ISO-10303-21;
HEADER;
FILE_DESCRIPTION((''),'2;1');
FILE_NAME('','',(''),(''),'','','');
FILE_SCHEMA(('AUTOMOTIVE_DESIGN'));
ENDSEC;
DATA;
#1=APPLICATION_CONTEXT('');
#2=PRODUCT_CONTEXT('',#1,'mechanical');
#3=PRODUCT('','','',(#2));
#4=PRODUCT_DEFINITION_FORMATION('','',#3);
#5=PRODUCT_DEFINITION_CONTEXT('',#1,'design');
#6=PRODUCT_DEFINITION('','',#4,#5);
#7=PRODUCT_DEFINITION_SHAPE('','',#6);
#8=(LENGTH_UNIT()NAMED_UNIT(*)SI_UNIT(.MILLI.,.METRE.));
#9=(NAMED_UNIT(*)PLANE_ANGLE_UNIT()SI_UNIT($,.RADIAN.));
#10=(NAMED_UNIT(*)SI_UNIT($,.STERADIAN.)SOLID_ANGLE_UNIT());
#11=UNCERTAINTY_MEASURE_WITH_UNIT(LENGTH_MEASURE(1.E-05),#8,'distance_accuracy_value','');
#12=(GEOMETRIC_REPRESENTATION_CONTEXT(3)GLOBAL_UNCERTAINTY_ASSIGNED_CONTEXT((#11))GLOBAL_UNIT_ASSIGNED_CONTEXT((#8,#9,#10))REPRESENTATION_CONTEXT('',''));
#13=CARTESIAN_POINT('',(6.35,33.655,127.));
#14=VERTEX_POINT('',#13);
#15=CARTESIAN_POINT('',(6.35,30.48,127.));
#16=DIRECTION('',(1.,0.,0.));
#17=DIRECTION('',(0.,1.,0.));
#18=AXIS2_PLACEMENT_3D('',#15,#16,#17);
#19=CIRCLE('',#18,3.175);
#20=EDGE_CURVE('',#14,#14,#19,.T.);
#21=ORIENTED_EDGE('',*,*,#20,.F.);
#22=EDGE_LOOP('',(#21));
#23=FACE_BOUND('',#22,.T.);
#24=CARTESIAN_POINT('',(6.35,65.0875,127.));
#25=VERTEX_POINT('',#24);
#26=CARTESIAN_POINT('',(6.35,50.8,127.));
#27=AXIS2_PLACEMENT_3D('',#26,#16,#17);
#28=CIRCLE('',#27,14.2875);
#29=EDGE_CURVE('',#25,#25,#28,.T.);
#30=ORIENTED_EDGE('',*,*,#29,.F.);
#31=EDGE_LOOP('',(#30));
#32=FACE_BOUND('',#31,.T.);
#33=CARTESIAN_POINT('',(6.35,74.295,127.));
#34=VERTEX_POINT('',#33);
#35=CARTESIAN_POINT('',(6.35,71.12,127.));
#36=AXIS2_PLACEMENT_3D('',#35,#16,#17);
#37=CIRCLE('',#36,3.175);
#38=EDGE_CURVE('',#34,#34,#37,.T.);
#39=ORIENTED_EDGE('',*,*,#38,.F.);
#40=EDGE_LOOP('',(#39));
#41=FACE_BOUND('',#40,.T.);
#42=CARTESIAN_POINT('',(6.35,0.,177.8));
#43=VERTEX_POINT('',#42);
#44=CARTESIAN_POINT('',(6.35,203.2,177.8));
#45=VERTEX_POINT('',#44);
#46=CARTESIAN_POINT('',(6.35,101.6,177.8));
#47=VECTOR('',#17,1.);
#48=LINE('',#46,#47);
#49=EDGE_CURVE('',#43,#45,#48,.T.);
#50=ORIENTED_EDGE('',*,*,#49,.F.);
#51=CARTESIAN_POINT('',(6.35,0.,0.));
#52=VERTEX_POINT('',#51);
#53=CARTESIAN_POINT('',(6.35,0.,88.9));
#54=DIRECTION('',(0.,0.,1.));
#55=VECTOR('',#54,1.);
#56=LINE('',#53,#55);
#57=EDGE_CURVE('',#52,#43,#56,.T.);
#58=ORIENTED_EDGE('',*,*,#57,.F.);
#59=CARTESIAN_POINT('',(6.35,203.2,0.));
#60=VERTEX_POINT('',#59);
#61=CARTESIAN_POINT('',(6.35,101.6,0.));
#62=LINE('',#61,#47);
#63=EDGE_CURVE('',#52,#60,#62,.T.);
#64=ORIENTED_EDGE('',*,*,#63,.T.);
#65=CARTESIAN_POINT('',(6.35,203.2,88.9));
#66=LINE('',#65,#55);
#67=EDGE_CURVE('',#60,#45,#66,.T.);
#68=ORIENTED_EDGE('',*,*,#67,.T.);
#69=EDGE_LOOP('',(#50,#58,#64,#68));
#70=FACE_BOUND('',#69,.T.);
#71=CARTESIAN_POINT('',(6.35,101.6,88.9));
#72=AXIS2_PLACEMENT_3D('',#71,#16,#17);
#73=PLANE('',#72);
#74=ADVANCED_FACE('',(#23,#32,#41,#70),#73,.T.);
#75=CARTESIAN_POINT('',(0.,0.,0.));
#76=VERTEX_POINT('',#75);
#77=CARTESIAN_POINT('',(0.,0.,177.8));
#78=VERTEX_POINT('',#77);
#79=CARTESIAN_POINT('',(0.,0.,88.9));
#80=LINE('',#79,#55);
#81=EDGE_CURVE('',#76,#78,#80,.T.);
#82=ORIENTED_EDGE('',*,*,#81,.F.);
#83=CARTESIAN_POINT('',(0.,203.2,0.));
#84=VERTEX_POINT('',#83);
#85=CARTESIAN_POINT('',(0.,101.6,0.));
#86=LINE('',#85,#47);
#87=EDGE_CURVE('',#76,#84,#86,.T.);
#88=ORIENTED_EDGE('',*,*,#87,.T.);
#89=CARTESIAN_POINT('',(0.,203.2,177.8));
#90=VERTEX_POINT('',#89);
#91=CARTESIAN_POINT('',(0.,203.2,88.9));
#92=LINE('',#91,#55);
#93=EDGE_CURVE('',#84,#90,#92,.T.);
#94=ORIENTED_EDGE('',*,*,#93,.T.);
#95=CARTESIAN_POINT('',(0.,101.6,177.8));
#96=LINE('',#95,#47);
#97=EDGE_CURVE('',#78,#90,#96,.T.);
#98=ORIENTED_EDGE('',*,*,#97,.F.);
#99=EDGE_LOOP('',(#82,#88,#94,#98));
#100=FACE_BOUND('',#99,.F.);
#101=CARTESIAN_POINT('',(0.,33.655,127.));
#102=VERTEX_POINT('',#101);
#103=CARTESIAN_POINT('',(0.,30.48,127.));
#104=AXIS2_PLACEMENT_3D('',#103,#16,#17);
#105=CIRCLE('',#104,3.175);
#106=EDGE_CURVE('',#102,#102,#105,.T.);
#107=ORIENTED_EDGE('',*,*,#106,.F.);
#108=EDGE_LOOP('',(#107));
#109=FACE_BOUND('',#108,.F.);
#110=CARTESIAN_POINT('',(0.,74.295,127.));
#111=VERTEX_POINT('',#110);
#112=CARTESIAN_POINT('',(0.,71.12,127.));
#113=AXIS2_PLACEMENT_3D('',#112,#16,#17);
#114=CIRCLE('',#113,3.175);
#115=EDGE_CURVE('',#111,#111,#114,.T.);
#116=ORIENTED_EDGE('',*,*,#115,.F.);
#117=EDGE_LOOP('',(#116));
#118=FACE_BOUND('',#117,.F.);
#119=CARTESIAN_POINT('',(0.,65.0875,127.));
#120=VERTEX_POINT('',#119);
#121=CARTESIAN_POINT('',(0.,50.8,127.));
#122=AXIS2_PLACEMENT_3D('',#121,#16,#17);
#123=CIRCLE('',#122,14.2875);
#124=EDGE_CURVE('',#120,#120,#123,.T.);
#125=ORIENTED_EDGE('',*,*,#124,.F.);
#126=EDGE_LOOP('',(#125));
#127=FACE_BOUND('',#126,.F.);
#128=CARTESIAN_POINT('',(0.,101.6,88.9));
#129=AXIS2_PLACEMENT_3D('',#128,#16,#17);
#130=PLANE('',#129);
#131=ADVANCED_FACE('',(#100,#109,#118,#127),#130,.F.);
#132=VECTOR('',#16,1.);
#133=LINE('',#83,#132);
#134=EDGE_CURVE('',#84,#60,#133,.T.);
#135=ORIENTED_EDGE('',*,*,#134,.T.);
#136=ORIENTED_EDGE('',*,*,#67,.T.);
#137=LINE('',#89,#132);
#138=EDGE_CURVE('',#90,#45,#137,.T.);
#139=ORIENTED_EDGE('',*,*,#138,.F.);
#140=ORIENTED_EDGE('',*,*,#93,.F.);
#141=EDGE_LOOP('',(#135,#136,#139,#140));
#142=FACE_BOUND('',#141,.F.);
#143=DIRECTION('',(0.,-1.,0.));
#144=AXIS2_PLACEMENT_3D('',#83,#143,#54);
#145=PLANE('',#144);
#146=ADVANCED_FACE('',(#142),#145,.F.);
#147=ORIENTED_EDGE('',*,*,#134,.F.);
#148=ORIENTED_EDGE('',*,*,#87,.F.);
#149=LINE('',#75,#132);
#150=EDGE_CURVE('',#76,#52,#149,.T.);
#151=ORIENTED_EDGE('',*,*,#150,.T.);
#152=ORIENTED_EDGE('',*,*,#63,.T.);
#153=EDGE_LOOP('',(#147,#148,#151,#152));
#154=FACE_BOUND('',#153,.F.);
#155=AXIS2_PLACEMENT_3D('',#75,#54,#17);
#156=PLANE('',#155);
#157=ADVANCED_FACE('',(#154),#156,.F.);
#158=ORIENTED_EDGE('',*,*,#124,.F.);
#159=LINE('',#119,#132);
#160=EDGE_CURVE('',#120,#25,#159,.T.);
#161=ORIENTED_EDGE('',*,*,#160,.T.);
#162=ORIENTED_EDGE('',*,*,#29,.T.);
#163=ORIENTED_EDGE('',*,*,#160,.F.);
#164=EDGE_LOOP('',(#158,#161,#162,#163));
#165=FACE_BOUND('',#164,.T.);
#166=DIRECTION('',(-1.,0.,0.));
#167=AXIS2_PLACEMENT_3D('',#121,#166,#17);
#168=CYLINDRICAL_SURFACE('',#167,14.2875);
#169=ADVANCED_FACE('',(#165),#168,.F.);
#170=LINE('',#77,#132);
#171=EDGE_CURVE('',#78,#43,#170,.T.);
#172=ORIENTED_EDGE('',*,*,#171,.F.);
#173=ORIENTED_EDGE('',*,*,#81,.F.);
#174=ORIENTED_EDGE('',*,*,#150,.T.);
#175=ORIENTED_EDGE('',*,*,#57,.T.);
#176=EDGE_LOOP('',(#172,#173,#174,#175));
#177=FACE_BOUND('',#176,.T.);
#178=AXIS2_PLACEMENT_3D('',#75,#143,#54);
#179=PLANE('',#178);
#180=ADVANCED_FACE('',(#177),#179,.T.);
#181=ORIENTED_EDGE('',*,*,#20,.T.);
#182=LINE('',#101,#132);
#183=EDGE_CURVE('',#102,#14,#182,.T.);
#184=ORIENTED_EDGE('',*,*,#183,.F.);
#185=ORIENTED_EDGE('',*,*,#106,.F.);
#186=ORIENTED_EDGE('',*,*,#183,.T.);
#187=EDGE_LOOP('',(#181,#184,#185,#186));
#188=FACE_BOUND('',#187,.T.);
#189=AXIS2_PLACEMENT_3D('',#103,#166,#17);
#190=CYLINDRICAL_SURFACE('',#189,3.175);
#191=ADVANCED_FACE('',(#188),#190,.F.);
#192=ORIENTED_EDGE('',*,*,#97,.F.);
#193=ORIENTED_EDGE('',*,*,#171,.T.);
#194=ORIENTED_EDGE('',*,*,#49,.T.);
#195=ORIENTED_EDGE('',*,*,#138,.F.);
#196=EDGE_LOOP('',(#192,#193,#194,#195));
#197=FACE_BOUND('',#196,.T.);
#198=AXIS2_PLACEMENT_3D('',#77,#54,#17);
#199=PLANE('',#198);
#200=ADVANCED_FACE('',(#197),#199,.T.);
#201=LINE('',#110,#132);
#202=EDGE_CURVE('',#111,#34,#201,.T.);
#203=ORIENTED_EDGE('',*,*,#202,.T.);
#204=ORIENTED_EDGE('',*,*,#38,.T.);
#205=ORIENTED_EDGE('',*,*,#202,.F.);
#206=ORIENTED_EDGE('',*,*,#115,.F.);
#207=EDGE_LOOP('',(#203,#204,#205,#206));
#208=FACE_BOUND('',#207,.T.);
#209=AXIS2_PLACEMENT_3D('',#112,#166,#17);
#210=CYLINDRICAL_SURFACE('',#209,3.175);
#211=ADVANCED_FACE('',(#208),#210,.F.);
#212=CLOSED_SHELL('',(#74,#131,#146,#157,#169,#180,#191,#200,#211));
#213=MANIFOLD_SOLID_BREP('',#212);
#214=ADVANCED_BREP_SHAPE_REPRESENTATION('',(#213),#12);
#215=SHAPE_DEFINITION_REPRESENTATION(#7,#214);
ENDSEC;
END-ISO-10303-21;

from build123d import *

# Parameters (mm, degrees)
F0_W     = 203.2
F0_H     = 177.8
F0_R     = 3.175
F0_R_2   = 14.2875
F1_DEPTH = 6.35


with BuildPart() as f1:
    # F0 (on Right) → F1 (new body)
    with BuildSketch(Plane.YZ):
        with Locations((101.6, 88.9)):
            Rectangle(F0_W, F0_H)
        with Locations((30.48, 127)):
            Circle(F0_R, mode=Mode.SUBTRACT)
        with Locations((50.8, 127)):
            Circle(F0_R_2, mode=Mode.SUBTRACT)
        with Locations((71.12, 127)):
            Circle(F0_R, mode=Mode.SUBTRACT)
    extrude(amount=F1_DEPTH)


solid = f1.part
